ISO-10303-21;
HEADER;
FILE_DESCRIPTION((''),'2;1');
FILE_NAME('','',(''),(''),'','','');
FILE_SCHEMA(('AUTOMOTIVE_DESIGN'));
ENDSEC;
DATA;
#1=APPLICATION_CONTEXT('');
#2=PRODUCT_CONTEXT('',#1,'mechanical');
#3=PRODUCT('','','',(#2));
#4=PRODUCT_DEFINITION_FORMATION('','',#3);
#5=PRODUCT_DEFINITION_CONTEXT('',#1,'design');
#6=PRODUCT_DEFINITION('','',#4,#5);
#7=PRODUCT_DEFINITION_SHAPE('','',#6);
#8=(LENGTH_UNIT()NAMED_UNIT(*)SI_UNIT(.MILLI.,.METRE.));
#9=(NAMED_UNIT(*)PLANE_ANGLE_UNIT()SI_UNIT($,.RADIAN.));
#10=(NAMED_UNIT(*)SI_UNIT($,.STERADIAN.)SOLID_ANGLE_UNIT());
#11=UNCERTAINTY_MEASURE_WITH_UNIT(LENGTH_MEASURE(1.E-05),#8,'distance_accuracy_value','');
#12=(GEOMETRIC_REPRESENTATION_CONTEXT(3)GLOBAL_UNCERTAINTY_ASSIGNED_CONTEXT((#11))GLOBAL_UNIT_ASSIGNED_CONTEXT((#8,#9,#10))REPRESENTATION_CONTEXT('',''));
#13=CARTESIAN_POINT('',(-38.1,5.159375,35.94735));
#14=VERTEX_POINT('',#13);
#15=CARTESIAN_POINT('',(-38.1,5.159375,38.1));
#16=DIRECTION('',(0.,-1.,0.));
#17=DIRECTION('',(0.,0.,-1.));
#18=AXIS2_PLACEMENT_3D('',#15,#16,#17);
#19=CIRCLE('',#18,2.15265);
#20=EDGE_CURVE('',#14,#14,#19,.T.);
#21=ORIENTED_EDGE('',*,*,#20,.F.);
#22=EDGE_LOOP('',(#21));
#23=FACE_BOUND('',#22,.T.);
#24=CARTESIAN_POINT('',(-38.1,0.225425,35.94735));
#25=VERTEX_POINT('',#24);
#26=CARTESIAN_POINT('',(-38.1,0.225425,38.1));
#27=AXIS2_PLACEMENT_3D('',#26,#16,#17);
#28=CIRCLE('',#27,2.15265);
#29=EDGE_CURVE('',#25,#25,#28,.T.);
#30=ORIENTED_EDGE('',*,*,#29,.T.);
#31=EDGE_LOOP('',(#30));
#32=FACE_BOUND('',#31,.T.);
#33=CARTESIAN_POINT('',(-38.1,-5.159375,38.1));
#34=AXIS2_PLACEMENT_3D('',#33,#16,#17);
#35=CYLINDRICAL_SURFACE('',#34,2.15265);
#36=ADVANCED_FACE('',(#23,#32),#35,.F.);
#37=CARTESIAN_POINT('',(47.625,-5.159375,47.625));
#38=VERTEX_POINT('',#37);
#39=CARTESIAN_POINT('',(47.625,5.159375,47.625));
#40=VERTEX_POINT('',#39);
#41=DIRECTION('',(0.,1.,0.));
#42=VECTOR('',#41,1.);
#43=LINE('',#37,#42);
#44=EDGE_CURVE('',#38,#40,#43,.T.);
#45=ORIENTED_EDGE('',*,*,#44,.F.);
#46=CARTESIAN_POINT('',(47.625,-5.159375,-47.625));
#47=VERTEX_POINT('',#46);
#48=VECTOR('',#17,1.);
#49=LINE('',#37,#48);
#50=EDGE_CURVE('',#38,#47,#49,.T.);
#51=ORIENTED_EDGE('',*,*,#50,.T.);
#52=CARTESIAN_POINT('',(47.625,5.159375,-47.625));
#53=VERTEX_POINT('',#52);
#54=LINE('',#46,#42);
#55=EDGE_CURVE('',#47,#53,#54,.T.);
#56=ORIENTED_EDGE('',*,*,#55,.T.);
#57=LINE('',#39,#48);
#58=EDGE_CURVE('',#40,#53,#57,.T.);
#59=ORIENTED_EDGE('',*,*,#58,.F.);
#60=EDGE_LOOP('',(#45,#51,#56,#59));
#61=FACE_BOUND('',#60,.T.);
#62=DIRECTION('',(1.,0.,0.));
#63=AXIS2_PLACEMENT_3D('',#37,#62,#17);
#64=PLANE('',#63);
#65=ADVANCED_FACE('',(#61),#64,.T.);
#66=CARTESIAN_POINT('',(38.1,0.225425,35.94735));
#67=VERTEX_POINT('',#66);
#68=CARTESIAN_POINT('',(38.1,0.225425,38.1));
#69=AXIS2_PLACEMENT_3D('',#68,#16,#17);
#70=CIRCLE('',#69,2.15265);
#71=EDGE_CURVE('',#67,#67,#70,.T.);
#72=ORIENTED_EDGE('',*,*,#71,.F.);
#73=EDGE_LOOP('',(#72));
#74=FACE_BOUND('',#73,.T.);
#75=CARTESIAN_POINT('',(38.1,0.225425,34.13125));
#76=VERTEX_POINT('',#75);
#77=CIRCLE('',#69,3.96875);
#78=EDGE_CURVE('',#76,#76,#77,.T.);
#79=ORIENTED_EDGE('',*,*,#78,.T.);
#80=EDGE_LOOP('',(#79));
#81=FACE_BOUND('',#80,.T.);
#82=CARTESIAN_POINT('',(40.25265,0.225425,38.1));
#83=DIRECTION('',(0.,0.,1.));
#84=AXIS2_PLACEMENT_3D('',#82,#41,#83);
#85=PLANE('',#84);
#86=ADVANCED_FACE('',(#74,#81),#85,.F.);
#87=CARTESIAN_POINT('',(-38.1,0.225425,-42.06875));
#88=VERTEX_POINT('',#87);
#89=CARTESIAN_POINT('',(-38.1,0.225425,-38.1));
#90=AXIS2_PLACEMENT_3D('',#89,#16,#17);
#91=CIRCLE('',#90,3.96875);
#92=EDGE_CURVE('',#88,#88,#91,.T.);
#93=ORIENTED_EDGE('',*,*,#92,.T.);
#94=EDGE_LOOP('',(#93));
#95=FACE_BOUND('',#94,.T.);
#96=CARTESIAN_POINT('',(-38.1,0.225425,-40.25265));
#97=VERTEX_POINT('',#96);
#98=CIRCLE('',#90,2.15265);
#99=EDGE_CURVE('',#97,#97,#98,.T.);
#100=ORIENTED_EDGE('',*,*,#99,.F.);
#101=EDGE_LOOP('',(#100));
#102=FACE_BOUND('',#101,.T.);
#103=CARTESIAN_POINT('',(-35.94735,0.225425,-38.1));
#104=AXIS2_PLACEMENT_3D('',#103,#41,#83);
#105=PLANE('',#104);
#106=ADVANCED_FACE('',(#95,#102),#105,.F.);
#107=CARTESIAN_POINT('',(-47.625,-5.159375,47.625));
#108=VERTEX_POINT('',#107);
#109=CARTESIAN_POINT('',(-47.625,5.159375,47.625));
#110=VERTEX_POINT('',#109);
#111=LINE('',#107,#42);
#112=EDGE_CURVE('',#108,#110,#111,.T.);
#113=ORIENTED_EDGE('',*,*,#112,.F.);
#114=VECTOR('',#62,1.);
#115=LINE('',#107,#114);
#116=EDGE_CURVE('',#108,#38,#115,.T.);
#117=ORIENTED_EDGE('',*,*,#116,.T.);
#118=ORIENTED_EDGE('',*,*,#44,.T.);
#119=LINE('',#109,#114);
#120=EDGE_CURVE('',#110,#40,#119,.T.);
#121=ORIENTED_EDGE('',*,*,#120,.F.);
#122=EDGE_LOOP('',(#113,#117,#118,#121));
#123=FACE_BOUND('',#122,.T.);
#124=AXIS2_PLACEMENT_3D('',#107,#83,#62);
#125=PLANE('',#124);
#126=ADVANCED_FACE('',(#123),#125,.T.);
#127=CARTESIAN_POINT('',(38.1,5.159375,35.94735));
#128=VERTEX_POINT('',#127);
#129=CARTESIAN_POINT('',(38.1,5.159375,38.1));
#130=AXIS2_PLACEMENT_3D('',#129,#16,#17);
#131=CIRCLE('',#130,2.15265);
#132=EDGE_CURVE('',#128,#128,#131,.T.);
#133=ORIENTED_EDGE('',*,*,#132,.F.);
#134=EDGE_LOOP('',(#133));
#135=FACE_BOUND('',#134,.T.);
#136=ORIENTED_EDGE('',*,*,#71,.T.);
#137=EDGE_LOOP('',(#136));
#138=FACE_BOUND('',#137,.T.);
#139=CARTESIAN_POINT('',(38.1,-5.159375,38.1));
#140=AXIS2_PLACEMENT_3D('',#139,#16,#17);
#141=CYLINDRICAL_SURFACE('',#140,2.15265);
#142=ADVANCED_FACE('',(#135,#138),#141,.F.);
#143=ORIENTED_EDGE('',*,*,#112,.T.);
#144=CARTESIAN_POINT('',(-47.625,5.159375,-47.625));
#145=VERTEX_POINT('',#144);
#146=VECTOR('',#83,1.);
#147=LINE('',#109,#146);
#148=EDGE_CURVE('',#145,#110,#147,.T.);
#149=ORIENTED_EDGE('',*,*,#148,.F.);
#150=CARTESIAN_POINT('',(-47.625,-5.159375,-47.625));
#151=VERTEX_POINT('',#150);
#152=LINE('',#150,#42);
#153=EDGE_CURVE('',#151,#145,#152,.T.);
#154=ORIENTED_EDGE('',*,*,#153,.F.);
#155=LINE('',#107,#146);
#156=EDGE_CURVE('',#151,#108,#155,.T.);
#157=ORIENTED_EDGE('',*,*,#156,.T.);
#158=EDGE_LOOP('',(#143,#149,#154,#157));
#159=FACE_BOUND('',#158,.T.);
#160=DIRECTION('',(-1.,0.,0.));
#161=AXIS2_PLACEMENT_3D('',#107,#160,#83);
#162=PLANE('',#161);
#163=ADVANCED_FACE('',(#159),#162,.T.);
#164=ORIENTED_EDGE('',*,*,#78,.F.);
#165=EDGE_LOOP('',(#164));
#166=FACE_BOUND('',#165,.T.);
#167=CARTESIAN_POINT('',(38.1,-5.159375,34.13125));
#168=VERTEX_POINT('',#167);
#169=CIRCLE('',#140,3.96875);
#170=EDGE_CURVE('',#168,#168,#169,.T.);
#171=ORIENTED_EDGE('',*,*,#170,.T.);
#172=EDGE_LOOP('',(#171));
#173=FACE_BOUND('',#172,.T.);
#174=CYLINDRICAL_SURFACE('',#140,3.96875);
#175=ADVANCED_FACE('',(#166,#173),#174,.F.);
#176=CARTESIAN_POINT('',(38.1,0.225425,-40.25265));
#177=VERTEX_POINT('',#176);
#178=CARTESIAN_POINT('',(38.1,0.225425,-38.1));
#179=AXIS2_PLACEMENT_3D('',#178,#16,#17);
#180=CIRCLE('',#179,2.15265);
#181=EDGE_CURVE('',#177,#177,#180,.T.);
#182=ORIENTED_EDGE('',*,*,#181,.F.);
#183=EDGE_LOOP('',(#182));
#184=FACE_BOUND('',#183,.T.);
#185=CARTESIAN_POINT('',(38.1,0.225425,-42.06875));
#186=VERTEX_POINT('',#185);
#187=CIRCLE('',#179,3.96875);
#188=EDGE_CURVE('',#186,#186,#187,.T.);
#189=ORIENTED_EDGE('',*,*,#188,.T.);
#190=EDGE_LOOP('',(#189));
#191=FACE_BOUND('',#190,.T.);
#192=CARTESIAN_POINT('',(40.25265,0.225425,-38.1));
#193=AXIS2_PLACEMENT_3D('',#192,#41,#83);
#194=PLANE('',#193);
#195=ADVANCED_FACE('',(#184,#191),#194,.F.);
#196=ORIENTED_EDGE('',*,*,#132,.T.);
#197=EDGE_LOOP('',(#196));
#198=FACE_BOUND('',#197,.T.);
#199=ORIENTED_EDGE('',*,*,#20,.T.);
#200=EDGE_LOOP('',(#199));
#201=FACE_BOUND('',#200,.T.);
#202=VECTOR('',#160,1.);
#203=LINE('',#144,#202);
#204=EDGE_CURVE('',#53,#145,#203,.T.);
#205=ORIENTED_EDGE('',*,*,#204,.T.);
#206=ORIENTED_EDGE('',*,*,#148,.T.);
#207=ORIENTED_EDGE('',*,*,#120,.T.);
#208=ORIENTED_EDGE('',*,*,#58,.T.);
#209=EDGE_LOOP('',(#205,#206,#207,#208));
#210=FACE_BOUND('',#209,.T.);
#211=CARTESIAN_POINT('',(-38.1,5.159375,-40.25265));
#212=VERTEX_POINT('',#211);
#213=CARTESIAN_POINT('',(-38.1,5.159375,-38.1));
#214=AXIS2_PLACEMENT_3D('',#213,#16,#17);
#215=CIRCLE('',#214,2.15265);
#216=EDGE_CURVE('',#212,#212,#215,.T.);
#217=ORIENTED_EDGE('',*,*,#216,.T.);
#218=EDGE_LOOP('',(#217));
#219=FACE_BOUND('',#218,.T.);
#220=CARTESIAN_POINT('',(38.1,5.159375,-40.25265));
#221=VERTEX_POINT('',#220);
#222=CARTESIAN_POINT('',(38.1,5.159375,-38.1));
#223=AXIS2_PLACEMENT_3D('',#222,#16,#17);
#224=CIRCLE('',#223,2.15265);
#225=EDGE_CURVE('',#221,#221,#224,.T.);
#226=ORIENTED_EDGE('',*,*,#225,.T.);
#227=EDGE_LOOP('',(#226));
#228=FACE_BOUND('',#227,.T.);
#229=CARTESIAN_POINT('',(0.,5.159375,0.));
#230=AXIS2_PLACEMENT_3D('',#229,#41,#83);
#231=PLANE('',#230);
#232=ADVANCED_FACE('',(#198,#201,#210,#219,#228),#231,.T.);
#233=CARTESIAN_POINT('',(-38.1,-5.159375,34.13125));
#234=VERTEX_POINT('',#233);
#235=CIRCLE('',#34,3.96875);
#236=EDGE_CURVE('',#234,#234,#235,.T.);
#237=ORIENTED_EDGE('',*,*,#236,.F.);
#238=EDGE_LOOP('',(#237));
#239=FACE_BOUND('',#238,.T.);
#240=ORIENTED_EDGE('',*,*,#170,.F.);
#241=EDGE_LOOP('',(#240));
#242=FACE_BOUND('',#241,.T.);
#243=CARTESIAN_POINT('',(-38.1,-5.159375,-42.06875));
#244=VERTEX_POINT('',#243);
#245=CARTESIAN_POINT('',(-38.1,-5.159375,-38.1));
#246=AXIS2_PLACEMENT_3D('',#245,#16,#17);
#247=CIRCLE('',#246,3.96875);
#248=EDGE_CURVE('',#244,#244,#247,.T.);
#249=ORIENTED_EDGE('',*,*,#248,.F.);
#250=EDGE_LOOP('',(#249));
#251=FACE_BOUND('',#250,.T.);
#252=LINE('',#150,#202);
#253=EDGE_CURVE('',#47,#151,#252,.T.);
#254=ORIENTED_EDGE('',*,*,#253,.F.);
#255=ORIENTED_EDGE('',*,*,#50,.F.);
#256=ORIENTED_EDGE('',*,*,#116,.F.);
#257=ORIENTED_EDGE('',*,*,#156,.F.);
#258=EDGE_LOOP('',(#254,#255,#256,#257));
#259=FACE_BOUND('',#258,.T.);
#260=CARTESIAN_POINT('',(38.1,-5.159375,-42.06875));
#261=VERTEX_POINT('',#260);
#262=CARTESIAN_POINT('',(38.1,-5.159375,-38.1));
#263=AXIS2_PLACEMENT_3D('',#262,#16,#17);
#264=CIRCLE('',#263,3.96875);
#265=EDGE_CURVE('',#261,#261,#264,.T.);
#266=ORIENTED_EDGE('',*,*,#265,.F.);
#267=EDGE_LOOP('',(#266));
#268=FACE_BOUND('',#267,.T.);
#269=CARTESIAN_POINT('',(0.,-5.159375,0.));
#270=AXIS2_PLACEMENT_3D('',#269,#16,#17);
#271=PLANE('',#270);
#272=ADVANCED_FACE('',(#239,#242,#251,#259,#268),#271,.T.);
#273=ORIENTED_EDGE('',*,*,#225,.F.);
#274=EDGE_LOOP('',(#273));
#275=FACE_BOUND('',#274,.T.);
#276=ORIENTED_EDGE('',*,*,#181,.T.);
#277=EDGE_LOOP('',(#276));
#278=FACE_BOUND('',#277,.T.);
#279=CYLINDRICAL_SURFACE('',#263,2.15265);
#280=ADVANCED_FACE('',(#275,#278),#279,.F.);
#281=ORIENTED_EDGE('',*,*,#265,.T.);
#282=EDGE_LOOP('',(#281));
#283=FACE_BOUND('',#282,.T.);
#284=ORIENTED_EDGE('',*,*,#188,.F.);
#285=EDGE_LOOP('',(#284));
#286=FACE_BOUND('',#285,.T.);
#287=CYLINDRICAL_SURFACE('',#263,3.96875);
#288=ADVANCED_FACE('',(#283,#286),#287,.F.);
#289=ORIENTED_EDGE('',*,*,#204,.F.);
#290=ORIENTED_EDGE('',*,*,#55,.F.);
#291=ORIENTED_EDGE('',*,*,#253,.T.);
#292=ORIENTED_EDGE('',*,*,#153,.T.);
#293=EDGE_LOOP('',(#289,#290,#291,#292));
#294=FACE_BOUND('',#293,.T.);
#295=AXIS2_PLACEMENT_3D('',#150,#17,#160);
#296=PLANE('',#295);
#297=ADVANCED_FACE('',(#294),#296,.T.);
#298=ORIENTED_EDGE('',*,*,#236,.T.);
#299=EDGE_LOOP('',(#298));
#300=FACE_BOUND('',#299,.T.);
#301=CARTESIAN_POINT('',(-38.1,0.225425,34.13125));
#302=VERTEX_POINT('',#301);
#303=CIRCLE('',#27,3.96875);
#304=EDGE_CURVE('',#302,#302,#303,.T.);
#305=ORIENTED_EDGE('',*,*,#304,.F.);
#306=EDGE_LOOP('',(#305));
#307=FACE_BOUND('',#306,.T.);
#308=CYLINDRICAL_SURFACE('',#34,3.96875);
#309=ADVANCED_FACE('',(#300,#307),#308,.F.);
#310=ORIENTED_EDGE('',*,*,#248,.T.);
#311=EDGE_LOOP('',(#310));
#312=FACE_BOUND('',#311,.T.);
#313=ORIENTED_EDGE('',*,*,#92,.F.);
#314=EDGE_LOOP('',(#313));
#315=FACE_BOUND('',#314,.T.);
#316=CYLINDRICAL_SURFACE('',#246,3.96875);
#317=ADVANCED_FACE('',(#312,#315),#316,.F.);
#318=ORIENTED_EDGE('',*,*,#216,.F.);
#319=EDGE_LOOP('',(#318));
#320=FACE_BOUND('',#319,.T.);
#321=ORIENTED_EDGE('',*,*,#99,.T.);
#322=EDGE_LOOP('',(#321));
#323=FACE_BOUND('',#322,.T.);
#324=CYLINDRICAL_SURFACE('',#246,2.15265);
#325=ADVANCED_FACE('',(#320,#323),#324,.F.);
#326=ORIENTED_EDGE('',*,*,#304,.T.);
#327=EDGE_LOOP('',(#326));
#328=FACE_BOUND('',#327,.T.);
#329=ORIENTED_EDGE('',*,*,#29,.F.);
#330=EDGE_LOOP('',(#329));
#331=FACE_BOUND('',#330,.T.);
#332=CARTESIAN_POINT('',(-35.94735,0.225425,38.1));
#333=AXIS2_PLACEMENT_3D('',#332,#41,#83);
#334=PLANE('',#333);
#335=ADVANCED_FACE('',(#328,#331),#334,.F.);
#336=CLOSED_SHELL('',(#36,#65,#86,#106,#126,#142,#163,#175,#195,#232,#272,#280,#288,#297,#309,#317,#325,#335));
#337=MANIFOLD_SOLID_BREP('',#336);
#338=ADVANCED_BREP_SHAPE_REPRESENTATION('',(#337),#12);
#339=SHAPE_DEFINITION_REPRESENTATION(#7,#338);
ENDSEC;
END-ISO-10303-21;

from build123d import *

# Parameters (mm, degrees)
SKETCH3_W                           = 101.6
SKETCH3_H                           = 11.1125
BOSS_EXTRUDE1_DEPTH                 = 50.8
BASEBORDERRADIUSSKETCH_OUTSIDE_W    = 132.41
BASEBORDERRADIUSSKETCH_OUTSIDE_H    = 132.41
BASEBORDERRADIUSSKETCH_OUTSIDE_W_2  = 95.25
BASEBORDERRADIUSSKETCH_OUTSIDE_H_2  = 95.25
BASEBORDERRADIUSCUT_EXTRUDE_DEPTH   = 73.57931249
BUMPER_6_32_TAPPED_HOLE_D           = 4.3053
BUMPER_6_32_TAPPED_HOLE_CBORE_D     = 7.9375
BUMPER_6_32_TAPPED_HOLE_CBORE_DEPTH = 5.3848
BUMPERTHREADLPATTERN_COUNT          = 2
BUMPERTHREADLPATTERN_PITCH          = 76.2
BUMPERTHREADLPATTERN_COUNT_DIR2     = 2
BUMPERTHREADLPATTERN_PITCH_DIR2     = 76.2


with BuildPart() as part:
    # Sketch3 → Boss-Extrude1 (new, symmetric)
    with BuildSketch(Plane.XY):
        Rectangle(SKETCH3_W, SKETCH3_H)
    extrude(amount=BOSS_EXTRUDE1_DEPTH, both=True)

    # FacingTopSurfaceCut
    split(bisect_by=Plane(origin=(0, 5.159375, 0), x_dir=(1, 0, 0), z_dir=(0, 1, 0)), keep=Keep.BOTTOM)

    # FacingBottomSurfaceCut
    split(bisect_by=Plane(origin=(0, -5.159375, 0), x_dir=(-1, 0, 0), z_dir=(0, -1, 0)), keep=Keep.BOTTOM)

    # BaseBorderRadiusSketch outside → BaseBorderRadiusCut-Extrude (cut, through all)
    with BuildSketch(Plane(origin=(0, 5.159375, 0), x_dir=(1, 0, 0), z_dir=(0, 1, 0))):
        Rectangle(BASEBORDERRADIUSSKETCH_OUTSIDE_W, BASEBORDERRADIUSSKETCH_OUTSIDE_H)
        Rectangle(BASEBORDERRADIUSSKETCH_OUTSIDE_W_2, BASEBORDERRADIUSSKETCH_OUTSIDE_H_2, mode=Mode.SUBTRACT)
    extrude(amount=-BASEBORDERRADIUSCUT_EXTRUDE_DEPTH, mode=Mode.SUBTRACT)

    # Bumper#6-32 Tapped Hole (through all)
    with Locations(Plane(origin=(-38.1, -5.159375, 38.1), x_dir=(0, 0, -1), z_dir=(0, -1, 0))):
        with Locations((0, 0)):
            bumper_6_32_tapped_hole = CounterBoreHole(BUMPER_6_32_TAPPED_HOLE_D / 2, BUMPER_6_32_TAPPED_HOLE_CBORE_D / 2, BUMPER_6_32_TAPPED_HOLE_CBORE_DEPTH)

    # BumperThreadLPattern: Bumper_6-32 Tapped Hole 2 × 2
    with Locations(*[(j * BUMPERTHREADLPATTERN_PITCH_DIR2, 0, -i * BUMPERTHREADLPATTERN_PITCH) for i in range(BUMPERTHREADLPATTERN_COUNT) for j in range(BUMPERTHREADLPATTERN_COUNT_DIR2) if (i, j) != (0, 0)]):
        add(bumper_6_32_tapped_hole, mode=Mode.SUBTRACT)


solid = part.part
